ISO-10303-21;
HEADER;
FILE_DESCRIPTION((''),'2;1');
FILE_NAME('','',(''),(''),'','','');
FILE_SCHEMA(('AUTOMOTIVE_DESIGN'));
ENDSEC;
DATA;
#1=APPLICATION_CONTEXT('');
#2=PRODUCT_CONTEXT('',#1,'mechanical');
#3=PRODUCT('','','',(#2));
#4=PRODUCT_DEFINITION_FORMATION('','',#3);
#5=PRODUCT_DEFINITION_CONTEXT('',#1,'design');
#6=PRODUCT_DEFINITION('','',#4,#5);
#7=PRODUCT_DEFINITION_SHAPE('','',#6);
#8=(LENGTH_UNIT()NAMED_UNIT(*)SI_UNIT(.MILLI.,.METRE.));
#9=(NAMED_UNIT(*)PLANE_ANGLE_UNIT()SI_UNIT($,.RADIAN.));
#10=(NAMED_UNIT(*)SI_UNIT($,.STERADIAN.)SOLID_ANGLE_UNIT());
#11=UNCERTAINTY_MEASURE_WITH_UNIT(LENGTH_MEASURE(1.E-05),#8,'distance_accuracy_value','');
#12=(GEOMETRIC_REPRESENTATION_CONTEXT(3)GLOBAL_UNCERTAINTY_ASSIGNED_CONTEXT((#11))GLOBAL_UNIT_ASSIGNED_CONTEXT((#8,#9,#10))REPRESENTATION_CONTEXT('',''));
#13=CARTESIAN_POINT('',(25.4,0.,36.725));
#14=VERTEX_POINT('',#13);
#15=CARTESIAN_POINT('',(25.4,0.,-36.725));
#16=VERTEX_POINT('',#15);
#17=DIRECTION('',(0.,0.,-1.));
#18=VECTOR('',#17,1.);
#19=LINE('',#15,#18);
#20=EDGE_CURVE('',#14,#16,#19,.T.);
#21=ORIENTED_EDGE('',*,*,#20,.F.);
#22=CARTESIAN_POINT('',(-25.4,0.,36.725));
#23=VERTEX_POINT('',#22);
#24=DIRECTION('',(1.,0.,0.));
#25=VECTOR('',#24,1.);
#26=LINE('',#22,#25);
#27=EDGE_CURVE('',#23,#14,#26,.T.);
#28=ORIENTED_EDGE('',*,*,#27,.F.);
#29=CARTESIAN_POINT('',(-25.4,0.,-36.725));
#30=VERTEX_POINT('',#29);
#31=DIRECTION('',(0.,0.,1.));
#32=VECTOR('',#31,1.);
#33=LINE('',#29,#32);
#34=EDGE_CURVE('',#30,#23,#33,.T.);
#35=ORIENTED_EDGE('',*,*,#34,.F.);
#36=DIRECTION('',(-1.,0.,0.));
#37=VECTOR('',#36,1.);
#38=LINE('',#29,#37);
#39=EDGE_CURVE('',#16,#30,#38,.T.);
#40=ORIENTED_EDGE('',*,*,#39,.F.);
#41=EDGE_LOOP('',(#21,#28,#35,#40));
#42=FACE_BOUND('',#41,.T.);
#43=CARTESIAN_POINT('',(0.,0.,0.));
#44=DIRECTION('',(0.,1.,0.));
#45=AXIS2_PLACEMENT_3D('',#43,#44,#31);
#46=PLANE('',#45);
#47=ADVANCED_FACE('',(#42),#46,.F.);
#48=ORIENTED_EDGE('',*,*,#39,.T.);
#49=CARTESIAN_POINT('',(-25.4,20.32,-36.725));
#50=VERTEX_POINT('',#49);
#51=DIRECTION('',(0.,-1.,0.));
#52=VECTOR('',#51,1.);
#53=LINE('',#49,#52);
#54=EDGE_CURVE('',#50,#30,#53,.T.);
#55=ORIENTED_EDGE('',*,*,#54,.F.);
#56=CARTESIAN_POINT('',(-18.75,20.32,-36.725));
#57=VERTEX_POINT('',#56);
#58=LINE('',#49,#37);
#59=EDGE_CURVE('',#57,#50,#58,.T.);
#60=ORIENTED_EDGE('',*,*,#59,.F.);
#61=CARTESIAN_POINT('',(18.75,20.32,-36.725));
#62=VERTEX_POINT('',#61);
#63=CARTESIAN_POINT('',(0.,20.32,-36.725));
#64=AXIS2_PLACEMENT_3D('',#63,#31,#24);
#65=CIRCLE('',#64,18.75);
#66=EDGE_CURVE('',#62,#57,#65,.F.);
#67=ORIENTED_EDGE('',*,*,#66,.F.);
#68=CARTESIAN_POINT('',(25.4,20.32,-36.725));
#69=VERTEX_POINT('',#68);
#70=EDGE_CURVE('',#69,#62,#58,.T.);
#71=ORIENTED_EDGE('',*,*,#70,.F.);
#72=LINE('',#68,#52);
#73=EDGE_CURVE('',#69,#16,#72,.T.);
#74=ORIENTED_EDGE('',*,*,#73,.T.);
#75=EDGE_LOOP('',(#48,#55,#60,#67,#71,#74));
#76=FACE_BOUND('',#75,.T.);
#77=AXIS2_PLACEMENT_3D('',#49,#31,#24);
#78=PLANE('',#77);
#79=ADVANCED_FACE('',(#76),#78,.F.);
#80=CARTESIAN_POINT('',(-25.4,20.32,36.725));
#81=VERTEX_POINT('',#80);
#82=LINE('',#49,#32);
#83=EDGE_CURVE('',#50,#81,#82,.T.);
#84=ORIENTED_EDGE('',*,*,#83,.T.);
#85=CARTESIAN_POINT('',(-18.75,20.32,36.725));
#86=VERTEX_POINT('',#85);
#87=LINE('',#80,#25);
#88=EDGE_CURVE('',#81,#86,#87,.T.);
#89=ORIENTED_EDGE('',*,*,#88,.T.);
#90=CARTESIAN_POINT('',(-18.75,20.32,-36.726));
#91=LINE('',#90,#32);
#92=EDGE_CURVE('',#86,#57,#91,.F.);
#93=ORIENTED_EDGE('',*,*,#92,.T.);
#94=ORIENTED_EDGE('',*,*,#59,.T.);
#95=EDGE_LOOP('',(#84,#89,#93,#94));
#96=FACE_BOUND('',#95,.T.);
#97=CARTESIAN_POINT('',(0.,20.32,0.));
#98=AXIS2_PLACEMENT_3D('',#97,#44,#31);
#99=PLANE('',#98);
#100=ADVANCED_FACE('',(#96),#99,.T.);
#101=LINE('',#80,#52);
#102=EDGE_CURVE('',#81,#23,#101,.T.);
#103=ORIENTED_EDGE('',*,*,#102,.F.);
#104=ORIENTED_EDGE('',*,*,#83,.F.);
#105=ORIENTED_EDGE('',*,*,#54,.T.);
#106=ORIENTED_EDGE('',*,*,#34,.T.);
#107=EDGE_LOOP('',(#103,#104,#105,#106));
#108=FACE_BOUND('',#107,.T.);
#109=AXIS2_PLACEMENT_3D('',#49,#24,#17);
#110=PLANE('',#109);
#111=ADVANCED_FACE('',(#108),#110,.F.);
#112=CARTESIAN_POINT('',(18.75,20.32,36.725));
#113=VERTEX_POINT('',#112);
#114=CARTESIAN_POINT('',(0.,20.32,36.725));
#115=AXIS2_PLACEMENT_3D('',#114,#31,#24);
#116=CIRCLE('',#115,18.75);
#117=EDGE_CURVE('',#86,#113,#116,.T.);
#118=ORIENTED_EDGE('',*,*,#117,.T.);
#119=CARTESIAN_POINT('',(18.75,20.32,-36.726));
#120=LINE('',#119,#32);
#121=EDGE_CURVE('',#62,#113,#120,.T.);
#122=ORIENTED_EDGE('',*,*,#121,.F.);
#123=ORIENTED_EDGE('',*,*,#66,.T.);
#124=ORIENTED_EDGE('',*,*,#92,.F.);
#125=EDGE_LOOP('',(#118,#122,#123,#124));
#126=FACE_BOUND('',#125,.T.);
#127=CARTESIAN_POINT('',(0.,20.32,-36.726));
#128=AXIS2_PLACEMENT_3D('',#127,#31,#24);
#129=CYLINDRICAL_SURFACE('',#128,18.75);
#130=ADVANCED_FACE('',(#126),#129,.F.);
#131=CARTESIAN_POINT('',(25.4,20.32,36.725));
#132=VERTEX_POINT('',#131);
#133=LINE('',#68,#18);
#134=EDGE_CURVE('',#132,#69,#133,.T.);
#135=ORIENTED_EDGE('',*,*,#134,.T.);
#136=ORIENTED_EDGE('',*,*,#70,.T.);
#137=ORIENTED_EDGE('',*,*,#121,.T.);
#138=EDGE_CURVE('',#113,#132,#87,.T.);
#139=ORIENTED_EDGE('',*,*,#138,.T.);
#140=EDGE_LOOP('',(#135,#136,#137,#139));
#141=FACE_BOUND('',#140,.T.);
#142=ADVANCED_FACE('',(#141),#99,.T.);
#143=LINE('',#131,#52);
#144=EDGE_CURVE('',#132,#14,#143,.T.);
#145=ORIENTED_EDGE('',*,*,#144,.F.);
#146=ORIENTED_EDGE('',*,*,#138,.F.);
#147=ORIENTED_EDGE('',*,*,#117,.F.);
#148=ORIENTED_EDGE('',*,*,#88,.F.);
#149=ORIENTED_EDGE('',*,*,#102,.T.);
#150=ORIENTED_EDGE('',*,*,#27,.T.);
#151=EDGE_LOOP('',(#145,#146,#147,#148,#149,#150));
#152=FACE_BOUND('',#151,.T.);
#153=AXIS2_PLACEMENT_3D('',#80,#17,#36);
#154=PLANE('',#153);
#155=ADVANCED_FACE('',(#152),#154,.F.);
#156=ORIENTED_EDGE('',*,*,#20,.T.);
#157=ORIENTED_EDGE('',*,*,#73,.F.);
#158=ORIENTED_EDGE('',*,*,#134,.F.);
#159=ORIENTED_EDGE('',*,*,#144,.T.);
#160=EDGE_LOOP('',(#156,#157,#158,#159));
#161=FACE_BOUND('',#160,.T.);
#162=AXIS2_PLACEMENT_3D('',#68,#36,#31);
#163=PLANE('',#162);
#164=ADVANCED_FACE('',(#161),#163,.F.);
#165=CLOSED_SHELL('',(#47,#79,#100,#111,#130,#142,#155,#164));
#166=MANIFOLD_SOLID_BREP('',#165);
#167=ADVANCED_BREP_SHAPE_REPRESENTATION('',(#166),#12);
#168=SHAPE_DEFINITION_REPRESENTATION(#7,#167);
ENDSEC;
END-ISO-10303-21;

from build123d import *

# Parameters (mm, degrees)
SKETCH1_W           = 50.8
SKETCH1_H           = 73.449999912
BOSS_EXTRUDE1_DEPTH = 20.32
CUT_EXTRUDE1_REACH  = 75.45
SKETCH2_R           = 18.749999965


with BuildPart() as part:
    # Sketch1 → Boss-Extrude1 (new body)
    with BuildSketch(Plane(origin=(0, 0, 0), x_dir=(1, 0, 0), z_dir=(0, 1, 0))):
        Rectangle(SKETCH1_W, SKETCH1_H)
    extrude(amount=BOSS_EXTRUDE1_DEPTH)

    # Sketch2 → Cut-Extrude1 (cut, up to next)
    with BuildSketch(Plane.XY.offset(36.724999956), mode=Mode.PRIVATE) as cut_extrude1_sk1:
        with Locations((0, 20.32)):
            Circle(SKETCH2_R)
    cut_extrude1_tool1 = extrude(cut_extrude1_sk1.sketch, amount=-CUT_EXTRUDE1_REACH, mode=Mode.PRIVATE) & part.part
    add(cut_extrude1_tool1.solids().sort_by_distance((0, 20.32, 36.725))[0], mode=Mode.SUBTRACT)


solid = part.part
